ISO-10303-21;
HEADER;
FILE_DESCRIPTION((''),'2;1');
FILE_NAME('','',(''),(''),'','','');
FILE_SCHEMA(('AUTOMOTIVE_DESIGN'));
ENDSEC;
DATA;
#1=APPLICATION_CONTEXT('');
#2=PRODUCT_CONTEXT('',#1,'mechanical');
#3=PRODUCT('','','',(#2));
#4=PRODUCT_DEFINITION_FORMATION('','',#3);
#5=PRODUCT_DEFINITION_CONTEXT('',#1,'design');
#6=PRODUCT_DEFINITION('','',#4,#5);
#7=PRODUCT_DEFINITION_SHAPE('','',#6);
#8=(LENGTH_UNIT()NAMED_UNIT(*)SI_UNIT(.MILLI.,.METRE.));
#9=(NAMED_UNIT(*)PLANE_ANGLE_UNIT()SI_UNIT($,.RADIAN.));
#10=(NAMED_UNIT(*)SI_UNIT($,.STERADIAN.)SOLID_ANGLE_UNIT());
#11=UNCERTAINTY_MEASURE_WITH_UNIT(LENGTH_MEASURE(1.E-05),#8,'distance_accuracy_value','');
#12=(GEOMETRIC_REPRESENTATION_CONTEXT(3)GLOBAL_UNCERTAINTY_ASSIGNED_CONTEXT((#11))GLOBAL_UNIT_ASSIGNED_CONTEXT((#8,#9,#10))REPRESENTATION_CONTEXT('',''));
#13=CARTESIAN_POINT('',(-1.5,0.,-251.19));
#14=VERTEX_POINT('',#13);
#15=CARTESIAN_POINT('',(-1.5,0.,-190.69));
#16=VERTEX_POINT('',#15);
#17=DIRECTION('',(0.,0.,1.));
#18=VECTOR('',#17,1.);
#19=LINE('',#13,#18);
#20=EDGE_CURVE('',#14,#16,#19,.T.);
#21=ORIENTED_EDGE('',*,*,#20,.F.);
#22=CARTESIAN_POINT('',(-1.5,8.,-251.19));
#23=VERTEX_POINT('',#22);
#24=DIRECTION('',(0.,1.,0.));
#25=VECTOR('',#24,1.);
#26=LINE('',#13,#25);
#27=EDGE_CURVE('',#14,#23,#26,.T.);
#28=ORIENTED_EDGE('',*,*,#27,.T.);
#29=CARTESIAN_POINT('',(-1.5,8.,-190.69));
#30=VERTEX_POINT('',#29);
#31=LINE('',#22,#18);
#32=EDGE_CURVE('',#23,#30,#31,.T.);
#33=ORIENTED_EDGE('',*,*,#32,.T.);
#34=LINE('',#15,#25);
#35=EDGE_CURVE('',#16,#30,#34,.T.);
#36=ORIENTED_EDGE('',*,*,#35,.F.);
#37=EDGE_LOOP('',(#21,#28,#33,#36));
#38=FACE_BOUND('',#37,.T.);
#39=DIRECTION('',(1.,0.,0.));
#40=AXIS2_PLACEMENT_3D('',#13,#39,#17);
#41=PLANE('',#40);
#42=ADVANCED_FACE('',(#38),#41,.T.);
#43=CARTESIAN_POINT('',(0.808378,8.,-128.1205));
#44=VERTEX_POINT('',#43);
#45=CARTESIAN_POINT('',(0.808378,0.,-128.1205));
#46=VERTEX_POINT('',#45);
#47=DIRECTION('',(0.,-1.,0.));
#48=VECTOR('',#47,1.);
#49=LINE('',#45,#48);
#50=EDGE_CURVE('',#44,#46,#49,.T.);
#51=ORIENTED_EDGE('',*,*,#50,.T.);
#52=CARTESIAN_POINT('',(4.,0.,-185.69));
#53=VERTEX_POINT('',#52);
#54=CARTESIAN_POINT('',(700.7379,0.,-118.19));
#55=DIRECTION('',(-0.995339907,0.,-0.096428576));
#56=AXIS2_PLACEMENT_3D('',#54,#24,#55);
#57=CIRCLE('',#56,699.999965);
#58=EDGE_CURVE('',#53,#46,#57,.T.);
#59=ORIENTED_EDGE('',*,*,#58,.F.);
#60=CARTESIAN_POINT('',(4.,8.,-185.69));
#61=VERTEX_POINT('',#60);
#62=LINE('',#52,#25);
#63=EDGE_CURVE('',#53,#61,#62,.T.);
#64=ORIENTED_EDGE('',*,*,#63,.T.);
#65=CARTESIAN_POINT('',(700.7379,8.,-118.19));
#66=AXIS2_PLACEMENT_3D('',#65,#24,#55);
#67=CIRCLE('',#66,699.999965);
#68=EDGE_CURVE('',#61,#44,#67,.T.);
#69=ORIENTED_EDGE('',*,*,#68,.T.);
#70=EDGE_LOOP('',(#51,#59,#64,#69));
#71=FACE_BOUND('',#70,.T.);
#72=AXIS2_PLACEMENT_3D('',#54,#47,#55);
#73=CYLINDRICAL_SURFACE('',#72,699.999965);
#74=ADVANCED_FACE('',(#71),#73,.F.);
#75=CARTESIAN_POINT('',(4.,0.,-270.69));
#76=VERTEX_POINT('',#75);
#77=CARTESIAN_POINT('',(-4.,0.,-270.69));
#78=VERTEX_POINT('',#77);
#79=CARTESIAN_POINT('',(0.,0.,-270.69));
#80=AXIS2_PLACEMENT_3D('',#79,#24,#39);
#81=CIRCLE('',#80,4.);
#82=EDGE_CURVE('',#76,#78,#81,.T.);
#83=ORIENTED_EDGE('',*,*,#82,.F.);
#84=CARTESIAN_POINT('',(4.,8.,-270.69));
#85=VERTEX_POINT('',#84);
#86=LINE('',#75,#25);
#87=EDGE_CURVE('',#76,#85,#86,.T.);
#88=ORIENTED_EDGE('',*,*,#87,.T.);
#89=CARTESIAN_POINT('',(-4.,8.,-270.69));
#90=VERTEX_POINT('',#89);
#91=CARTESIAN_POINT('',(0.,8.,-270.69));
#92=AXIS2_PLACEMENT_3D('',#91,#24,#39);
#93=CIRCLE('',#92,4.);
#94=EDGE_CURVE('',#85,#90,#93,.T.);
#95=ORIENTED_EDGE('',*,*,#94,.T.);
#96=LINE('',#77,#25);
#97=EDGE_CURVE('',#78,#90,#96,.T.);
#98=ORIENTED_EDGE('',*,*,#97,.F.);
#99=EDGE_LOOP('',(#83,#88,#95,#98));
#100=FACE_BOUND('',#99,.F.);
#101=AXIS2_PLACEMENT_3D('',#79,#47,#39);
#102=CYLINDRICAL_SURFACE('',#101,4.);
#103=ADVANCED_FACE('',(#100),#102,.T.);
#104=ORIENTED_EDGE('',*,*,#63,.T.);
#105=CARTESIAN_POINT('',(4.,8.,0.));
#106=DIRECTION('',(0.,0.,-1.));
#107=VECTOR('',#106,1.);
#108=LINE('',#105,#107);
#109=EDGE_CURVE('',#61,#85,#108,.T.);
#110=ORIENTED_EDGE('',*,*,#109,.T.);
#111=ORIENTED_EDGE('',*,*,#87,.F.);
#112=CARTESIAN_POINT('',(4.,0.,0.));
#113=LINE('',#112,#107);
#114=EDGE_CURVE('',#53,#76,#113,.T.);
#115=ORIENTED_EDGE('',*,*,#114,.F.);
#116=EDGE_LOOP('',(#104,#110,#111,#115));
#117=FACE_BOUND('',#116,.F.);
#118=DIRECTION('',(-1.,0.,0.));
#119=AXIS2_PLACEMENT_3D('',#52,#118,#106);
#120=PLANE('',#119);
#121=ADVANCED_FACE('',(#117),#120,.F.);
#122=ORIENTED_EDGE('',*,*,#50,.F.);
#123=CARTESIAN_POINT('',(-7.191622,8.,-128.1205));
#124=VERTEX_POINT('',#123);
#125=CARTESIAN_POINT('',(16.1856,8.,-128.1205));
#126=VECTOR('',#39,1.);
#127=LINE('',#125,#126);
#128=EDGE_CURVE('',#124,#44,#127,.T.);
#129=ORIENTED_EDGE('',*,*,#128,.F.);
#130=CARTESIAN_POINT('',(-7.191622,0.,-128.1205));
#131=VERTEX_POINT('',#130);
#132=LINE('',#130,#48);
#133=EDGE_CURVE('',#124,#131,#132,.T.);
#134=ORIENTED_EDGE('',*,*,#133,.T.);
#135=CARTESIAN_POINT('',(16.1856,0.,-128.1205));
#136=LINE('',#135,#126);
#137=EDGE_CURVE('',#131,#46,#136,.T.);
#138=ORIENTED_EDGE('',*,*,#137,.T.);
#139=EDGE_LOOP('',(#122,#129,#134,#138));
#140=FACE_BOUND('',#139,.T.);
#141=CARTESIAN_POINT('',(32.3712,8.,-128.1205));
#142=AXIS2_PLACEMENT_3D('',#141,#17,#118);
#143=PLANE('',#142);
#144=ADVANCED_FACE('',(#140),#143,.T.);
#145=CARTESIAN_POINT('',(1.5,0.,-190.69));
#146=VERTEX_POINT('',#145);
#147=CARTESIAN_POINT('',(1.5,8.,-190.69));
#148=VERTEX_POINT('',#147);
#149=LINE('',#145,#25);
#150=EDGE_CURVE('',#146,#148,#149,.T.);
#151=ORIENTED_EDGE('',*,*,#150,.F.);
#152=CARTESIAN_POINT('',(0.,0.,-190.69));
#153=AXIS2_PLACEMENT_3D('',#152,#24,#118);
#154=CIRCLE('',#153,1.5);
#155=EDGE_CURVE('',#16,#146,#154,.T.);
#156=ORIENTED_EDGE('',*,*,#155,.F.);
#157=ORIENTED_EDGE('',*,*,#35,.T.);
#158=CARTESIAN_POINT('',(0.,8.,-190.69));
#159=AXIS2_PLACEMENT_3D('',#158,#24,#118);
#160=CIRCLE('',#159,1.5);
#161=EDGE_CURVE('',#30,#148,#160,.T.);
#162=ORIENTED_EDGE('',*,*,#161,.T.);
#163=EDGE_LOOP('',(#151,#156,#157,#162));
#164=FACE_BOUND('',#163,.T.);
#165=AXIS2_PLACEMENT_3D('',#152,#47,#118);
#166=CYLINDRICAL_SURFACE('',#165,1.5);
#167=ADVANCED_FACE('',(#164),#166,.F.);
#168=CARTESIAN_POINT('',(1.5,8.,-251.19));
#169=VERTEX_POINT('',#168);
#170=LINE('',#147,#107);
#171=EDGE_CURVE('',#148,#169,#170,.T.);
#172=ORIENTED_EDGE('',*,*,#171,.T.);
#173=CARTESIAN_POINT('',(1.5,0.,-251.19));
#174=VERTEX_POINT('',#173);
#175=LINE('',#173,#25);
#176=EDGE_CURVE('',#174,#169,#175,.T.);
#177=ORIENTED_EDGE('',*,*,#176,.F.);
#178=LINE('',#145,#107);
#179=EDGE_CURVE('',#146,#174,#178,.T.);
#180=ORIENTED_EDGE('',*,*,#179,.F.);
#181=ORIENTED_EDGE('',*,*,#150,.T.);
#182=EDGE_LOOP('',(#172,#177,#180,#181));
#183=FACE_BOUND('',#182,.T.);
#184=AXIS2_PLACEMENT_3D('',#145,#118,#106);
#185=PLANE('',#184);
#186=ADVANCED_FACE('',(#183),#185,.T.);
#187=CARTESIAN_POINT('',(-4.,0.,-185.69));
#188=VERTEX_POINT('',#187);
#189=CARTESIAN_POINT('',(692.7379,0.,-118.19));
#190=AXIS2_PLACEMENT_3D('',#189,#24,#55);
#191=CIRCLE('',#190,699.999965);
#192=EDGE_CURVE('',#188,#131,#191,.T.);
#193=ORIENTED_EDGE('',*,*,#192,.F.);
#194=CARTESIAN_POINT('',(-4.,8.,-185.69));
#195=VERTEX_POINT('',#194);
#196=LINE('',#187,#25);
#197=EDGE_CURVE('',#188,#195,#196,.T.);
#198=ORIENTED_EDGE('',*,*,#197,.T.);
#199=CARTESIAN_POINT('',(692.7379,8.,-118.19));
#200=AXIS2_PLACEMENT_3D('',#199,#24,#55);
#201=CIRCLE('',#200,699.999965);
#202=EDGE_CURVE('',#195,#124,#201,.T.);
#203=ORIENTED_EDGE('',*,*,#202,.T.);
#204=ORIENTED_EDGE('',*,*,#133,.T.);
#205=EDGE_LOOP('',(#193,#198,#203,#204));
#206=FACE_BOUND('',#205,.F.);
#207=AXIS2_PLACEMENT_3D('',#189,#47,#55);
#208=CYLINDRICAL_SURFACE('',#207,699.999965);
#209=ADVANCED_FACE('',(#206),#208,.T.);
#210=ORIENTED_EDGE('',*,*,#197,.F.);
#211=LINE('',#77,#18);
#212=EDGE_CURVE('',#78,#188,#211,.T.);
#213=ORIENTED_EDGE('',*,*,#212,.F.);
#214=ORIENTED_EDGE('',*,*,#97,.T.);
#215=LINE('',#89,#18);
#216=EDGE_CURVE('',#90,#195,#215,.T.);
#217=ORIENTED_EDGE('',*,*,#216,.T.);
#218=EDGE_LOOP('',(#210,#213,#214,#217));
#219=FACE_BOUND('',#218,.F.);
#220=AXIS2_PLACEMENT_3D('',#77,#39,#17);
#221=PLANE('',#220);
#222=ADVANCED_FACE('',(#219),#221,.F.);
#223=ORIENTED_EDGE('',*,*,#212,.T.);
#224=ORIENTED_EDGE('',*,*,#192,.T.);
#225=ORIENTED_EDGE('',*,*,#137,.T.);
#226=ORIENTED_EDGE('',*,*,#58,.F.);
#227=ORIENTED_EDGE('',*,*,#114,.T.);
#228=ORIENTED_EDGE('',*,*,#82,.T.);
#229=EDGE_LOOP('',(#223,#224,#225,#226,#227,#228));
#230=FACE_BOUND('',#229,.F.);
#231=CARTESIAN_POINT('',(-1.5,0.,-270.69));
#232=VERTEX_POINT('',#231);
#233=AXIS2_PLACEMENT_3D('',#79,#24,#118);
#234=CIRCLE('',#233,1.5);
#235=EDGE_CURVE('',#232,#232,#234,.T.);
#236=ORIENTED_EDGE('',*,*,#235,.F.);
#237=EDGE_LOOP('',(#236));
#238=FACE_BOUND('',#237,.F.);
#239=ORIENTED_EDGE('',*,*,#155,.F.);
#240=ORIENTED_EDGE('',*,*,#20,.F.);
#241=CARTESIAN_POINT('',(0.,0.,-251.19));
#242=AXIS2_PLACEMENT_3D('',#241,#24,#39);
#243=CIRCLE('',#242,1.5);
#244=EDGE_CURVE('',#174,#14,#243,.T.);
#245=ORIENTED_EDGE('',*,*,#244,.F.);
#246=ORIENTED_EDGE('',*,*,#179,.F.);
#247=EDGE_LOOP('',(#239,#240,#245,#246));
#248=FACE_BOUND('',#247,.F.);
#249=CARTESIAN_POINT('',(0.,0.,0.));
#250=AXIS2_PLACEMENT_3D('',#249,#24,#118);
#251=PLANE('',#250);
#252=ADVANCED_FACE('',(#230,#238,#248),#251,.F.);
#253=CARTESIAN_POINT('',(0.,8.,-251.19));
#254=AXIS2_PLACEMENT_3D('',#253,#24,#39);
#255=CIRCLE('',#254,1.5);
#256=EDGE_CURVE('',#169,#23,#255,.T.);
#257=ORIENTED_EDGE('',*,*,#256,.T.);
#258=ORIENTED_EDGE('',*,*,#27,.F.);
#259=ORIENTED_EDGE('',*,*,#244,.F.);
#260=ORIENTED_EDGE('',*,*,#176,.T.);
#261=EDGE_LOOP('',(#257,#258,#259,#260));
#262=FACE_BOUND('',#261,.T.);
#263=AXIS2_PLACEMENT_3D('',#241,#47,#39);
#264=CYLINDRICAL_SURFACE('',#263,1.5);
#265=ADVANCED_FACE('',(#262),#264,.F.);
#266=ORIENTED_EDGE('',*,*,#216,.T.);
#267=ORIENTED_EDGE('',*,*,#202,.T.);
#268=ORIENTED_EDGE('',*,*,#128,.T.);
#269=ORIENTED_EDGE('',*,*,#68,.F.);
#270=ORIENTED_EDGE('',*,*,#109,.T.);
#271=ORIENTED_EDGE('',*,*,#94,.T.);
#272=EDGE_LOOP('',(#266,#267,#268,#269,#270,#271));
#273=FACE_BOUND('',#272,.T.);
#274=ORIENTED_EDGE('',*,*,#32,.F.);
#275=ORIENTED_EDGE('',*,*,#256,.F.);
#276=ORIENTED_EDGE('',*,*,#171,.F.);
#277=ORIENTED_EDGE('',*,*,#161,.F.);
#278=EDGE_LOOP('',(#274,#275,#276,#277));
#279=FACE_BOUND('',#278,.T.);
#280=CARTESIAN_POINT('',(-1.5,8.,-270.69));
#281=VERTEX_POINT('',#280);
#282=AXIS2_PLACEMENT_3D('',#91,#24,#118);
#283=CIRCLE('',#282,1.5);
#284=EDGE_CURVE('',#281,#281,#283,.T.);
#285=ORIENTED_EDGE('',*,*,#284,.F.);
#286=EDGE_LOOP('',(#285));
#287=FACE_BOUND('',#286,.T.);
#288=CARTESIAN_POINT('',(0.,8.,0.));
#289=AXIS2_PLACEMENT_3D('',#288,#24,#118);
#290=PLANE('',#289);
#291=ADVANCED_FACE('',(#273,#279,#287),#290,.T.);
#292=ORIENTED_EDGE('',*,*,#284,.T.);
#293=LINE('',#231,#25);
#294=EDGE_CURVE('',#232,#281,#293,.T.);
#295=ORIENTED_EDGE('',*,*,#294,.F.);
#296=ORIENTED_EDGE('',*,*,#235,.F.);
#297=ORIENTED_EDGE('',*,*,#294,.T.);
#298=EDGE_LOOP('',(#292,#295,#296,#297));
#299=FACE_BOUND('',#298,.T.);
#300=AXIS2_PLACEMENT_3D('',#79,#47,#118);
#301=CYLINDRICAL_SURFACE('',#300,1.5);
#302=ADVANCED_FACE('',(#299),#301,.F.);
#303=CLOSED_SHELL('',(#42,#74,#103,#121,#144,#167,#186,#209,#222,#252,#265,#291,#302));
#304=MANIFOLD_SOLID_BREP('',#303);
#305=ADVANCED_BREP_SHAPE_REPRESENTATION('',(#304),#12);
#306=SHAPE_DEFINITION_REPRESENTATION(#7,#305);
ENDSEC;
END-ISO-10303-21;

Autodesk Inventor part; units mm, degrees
ref_plane "XZ Plane" through (0, 0, 0) normal (0, 1, 0) x (-1, 0, 0)
ref_plane "XY Plane" through (0, 0, 0) normal (0, 0, 1) x (1, 0, 0)
sketch "Sketch1" plane through (0, 0, 0) normal (0, 1, 0) x (-1, 0, 0)
  line L0 (0, 0) -> (0, -270.69) construction
  line L1 (-4, 0) -> (-4, -270.69)
  line L2 (4, -270.69) -> (4, 0)
  arc A0 (4, 0) -> (-4, 0) centre (0, 0) ccw
  arc A1 (-4, -270.69) -> (4, -270.69) centre (0, -270.69) ccw
  circle A2 centre (0, 0) radius 1.5
  circle A3 centre (0, -270.69) radius 1.5
  line L3 (0, -251.19) -> (0, -190.69) construction
  line L4 (1.5, -251.19) -> (1.5, -190.69)
  line L5 (-1.5, -190.69) -> (-1.5, -251.19)
  arc A4 (-1.5, -251.19) -> (1.5, -251.19) centre (0, -251.19) ccw
  arc A5 (1.5, -190.69) -> (-1.5, -190.69) centre (0, -190.69) ccw
  arc A6 (-4, -185.69) -> (-4, -50.69) centre (-700.7379, -118.19) ccw
  arc A7 (4, -185.69) -> (4, -50.69) centre (-692.7379, -118.19) ccw
  point P0 (0, -135.345)
  point P1 (0, -220.94)
  dimension "d0" = 270.69
  dimension "d1" = 8
  dimension "d2" = 3
  dimension "d3" = 3
  dimension "d10" = 3
  dimension "d11" = 19.5
  dimension "d12" = 80
  dimension "d13" = 85
  dimension "d14" = 220
  dimension "d15" = 700
  dimension "d16" = 700
extrude "Extrusion1" add sketch "Sketch1" along normal blind 8 contours A0 L2 A1 L1 A6 | A7 L2
sketch "Sketch2" plane through (0, 0, 0) normal (0, -1, 0) x (1, 0, 0)
  line L0 (4, 0) -> (4, -50.69) projected
  arc A0 (4, 0) -> (-4, 0) centre (0, 0) ccw projected
  line L1 (-4, -50.69) -> (-4, 0) projected
  arc A1 (-4, -50.69) -> (-4, -185.69) centre (692.7379, -118.19) ccw projected
  line L2 (-4, -270.69) -> (-4, -185.69) projected
  arc A2 (-4, -270.69) -> (4, -270.69) centre (0, -270.69) ccw projected
  line L3 (4, -185.69) -> (4, -270.69) projected
  arc A3 (4, -50.69) -> (4, -185.69) centre (700.7379, -118.19) ccw projected
  circle A4 centre (0, 0) radius 1.5 projected
  circle A5 centre (0, -270.69) radius 1.5 projected
  arc A6 (-1.5, -251.19) -> (1.5, -251.19) centre (0, -251.19) ccw projected
  line L4 (-1.5, -190.69) -> (-1.5, -251.19) projected
  arc A7 (1.5, -190.69) -> (-1.5, -190.69) centre (0, -190.69) ccw projected
  line L5 (1.5, -251.19) -> (1.5, -190.69) projected
sketch "Sketch3" plane through (0, 8, 0) normal (0, 1, 0) x (1, 0, 0)
  line L0 (-41.336, 299.9474) -> (32.3712, 299.9474)
  line L1 (32.3712, 299.9474) -> (32.3712, 128.1205)
  line L2 (32.3712, 128.1205) -> (-41.336, 128.1205)
  line L3 (-41.336, 128.1205) -> (-41.336, 299.9474)
  line L4 (-75.6075, 328.1158) -> (61.009, 328.1158)
  line L5 (61.009, 328.1158) -> (61.009, -56.3822)
  line L6 (61.009, -56.3822) -> (-75.6075, -56.3822)
  line L7 (-75.6075, -56.3822) -> (-75.6075, 328.1158)
  point P0 (0, 0)
extrude "Extrusion2" cut sketch "Sketch3" along normal mid plane 20
properties part number "Part_11_p1"
